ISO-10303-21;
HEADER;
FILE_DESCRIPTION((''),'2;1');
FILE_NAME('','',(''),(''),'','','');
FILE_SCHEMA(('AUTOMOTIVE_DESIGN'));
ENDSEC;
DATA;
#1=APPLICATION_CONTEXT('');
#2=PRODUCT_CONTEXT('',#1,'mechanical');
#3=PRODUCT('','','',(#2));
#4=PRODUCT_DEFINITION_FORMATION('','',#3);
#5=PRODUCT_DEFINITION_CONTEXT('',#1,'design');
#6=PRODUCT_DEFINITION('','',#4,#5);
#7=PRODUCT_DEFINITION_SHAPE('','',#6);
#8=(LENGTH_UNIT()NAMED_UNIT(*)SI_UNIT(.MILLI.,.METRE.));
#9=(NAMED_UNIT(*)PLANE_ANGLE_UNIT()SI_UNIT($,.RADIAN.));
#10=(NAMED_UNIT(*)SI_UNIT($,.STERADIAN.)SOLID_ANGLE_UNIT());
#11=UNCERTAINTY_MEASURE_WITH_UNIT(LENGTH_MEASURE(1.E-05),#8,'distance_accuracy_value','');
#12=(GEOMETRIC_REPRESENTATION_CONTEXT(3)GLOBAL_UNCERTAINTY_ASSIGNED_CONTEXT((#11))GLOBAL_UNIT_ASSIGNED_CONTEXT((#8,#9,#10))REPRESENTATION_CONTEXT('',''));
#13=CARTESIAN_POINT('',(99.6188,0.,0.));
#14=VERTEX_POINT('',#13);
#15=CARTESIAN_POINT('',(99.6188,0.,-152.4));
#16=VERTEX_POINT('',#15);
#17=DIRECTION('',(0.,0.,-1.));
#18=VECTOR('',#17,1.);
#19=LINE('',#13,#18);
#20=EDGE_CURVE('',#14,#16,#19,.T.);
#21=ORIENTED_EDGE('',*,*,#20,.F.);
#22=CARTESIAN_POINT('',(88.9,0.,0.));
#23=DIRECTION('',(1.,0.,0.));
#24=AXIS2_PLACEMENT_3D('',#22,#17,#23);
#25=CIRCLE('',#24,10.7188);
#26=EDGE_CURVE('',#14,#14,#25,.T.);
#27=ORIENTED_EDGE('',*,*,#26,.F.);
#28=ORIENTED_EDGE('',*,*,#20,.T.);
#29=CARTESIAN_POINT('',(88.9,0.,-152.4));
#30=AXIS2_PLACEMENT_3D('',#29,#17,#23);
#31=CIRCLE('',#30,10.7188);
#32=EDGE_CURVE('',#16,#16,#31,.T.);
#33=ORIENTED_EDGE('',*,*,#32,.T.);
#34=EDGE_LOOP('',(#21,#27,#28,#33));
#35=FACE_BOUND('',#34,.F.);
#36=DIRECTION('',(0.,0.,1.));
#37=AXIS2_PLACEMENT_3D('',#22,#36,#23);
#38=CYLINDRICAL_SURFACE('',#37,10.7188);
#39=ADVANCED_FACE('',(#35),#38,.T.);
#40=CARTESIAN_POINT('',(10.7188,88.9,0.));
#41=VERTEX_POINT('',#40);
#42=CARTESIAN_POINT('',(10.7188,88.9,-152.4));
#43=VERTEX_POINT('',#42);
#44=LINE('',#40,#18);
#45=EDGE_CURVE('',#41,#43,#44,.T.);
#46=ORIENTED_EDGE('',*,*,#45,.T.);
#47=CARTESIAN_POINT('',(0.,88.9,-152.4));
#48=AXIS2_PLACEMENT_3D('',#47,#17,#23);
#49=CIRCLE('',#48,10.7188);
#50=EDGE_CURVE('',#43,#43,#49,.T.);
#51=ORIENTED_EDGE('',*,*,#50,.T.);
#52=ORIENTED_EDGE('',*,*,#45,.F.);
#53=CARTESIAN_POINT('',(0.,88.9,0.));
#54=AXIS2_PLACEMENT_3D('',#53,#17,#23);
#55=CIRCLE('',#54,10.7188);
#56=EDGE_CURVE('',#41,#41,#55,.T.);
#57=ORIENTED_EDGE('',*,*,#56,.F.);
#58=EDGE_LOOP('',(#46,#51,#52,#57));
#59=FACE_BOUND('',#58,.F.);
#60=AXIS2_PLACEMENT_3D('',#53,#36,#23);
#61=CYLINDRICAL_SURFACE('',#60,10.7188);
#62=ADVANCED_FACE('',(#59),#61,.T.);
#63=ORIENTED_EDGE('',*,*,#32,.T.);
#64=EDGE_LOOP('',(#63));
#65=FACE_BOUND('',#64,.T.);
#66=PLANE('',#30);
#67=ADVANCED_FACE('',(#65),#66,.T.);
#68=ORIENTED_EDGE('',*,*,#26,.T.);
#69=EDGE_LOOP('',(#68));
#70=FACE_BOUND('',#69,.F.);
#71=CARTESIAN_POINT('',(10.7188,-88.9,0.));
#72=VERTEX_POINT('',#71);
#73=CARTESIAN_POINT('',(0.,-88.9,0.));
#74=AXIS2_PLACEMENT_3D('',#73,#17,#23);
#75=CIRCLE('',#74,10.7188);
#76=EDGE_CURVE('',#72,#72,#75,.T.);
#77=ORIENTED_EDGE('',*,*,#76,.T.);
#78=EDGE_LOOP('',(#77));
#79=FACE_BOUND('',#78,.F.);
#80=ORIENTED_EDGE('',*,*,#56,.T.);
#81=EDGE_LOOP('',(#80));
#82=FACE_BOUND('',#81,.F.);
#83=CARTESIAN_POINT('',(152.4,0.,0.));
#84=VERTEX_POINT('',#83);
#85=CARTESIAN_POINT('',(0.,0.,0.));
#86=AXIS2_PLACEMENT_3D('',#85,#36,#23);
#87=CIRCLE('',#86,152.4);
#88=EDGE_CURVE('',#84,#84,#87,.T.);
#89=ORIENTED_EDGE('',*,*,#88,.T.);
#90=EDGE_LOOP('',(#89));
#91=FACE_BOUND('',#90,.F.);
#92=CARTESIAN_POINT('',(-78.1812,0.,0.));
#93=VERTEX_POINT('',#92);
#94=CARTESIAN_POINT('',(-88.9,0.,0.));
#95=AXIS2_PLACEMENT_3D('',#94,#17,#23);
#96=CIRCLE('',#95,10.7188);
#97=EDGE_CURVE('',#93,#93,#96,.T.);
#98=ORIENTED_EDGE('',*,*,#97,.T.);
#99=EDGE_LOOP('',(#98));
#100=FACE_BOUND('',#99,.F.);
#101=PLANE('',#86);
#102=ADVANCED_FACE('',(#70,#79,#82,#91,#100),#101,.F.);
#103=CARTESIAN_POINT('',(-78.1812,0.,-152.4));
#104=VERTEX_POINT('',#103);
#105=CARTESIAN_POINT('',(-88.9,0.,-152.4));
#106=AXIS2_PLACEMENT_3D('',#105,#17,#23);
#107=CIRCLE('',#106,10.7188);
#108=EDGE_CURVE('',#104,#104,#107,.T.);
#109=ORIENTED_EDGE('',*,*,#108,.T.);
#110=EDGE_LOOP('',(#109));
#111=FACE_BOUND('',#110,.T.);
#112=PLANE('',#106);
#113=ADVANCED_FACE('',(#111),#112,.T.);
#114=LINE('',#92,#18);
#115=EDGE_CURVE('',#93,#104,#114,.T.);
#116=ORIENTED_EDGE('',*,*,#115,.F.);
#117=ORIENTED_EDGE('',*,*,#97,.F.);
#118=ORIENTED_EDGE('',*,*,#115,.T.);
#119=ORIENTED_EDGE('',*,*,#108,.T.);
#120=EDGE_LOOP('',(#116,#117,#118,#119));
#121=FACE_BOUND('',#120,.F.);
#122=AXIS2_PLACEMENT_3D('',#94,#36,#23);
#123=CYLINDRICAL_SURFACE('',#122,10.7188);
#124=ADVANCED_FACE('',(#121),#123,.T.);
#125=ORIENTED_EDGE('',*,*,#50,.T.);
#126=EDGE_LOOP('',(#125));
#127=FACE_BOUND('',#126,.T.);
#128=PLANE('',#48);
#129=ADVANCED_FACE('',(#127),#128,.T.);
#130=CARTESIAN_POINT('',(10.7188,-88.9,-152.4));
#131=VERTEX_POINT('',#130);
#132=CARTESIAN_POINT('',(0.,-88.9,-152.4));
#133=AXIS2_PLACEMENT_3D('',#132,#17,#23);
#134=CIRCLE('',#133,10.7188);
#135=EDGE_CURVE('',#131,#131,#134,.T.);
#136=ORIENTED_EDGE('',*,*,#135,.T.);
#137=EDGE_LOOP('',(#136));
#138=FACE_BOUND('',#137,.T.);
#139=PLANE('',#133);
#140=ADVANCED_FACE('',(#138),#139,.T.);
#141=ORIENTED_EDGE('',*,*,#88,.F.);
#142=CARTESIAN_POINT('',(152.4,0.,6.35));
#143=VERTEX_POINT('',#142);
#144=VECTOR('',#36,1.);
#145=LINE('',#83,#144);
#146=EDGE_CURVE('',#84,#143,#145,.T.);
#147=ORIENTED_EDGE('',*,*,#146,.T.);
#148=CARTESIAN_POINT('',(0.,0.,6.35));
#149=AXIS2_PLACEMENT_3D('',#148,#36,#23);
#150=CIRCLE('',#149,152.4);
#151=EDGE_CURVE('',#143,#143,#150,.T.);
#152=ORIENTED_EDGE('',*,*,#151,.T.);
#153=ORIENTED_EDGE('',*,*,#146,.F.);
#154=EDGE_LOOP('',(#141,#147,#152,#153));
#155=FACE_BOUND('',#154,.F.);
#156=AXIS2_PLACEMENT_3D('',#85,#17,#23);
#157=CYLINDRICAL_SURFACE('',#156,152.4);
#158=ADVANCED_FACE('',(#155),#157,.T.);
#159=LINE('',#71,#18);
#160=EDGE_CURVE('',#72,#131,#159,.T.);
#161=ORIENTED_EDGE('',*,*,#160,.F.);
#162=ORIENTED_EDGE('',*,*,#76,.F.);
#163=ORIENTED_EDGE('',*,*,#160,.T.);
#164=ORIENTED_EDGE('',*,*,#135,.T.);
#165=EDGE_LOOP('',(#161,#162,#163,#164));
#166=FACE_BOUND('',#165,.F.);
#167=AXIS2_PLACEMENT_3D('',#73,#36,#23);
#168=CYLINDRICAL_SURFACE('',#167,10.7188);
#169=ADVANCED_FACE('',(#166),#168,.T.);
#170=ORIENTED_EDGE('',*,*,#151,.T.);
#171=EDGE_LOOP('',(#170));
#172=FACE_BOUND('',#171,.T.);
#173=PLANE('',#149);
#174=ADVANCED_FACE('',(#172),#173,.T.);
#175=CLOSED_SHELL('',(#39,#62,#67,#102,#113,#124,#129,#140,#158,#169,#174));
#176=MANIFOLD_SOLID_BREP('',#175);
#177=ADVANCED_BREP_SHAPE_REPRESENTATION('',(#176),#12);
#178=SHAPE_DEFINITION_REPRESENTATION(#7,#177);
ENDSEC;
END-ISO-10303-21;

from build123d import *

# Parameters (mm, degrees)
F0_R     = 152.4
F1_DEPTH = 6.35
F3_R     = 10.7188
F4_DEPTH = 152.4


with BuildPart() as f1:
    # F0 (on Top) → F1 (new body)
    with BuildSketch(Plane.XY):
        Circle(F0_R)
    extrude(amount=F1_DEPTH)

    # F3 (on face) → F4 (join)
    with BuildSketch(Plane(origin=(0, 0, 0), x_dir=(1, 0, 0), z_dir=(0, 0, -1))):
        with Locations((-88.9, 0)):
            Circle(F3_R)
        with Locations((0, 88.9)):
            Circle(F3_R)
        with Locations((0, -88.9)):
            Circle(F3_R)
        with Locations((88.9, 0)):
            Circle(F3_R)
    extrude(amount=F4_DEPTH)


solid = f1.part
